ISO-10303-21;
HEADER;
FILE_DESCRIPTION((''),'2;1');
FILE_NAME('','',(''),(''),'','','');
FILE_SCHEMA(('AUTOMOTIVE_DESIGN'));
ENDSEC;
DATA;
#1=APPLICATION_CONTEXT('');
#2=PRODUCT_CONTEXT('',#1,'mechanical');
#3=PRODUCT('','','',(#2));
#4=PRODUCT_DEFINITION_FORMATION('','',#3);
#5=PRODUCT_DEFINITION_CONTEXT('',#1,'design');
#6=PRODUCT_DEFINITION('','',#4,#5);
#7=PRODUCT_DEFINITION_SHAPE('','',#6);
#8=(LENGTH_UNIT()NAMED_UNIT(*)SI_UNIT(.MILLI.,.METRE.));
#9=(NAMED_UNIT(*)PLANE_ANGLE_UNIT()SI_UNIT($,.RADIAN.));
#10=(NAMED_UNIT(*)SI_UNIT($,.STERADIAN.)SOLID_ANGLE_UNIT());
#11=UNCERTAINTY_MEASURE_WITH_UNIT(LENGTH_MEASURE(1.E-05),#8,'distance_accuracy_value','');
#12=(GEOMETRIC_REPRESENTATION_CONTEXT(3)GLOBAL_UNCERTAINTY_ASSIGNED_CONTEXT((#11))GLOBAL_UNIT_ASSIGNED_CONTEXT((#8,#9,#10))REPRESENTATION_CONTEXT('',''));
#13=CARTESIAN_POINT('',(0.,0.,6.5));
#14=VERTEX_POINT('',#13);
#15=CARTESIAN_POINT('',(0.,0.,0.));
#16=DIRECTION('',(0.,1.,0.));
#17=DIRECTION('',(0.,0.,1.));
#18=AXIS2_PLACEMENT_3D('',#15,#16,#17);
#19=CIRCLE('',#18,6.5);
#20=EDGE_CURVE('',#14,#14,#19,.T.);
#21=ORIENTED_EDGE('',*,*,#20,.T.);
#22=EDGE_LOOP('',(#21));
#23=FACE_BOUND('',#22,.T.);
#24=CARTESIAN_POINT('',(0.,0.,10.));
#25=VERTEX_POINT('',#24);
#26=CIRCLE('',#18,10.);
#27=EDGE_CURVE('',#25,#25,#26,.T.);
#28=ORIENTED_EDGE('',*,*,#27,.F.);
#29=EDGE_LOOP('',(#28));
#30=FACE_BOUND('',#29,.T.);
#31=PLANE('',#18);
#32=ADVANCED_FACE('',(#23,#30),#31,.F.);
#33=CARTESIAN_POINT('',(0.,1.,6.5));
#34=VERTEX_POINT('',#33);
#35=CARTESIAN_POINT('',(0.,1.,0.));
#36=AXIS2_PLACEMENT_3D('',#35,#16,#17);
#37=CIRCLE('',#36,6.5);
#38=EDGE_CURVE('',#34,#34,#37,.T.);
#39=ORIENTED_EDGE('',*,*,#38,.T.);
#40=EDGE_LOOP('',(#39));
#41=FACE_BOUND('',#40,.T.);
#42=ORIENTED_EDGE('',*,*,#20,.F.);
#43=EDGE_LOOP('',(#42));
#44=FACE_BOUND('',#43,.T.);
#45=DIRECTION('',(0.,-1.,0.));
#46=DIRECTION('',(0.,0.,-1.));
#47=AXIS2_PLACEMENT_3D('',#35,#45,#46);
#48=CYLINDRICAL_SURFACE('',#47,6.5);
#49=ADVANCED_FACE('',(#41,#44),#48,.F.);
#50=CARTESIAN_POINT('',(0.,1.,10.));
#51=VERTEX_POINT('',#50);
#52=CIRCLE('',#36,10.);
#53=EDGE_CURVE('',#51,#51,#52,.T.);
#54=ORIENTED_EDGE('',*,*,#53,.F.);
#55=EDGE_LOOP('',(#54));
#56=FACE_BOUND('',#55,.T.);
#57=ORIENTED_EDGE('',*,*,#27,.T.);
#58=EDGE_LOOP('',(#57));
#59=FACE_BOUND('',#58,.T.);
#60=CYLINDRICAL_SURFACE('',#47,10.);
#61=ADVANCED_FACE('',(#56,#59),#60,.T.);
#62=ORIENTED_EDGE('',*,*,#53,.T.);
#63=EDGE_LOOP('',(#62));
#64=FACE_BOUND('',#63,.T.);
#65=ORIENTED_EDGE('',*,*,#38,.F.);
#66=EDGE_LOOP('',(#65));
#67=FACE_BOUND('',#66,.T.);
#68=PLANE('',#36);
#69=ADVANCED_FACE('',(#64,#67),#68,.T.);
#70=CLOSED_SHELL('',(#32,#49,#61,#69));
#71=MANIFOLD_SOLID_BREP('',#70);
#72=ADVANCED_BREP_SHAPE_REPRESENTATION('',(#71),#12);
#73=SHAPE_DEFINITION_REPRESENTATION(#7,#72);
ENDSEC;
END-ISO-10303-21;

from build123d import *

# Parameters (mm, degrees)
IZIM2_R                     = 10
IZIM2_R_2                   = 6.5
Y_KSEKLIK_EKSTR_ZYON1_DEPTH = 1


with BuildPart() as part:
    # Çizim2 → Yükseklik-Ekstrüzyon1 (new body)
    with BuildSketch(Plane(origin=(0, 0, 0), x_dir=(1, 0, 0), z_dir=(0, 1, 0))):
        with Locations(Location((0, 0, 0), (0, 0, 270))):
            Circle(IZIM2_R)
        with Locations(Location((0, 0, 0), (0, 0, 270))):
            Circle(IZIM2_R_2, mode=Mode.SUBTRACT)
    extrude(amount=Y_KSEKLIK_EKSTR_ZYON1_DEPTH)


solid = part.part
